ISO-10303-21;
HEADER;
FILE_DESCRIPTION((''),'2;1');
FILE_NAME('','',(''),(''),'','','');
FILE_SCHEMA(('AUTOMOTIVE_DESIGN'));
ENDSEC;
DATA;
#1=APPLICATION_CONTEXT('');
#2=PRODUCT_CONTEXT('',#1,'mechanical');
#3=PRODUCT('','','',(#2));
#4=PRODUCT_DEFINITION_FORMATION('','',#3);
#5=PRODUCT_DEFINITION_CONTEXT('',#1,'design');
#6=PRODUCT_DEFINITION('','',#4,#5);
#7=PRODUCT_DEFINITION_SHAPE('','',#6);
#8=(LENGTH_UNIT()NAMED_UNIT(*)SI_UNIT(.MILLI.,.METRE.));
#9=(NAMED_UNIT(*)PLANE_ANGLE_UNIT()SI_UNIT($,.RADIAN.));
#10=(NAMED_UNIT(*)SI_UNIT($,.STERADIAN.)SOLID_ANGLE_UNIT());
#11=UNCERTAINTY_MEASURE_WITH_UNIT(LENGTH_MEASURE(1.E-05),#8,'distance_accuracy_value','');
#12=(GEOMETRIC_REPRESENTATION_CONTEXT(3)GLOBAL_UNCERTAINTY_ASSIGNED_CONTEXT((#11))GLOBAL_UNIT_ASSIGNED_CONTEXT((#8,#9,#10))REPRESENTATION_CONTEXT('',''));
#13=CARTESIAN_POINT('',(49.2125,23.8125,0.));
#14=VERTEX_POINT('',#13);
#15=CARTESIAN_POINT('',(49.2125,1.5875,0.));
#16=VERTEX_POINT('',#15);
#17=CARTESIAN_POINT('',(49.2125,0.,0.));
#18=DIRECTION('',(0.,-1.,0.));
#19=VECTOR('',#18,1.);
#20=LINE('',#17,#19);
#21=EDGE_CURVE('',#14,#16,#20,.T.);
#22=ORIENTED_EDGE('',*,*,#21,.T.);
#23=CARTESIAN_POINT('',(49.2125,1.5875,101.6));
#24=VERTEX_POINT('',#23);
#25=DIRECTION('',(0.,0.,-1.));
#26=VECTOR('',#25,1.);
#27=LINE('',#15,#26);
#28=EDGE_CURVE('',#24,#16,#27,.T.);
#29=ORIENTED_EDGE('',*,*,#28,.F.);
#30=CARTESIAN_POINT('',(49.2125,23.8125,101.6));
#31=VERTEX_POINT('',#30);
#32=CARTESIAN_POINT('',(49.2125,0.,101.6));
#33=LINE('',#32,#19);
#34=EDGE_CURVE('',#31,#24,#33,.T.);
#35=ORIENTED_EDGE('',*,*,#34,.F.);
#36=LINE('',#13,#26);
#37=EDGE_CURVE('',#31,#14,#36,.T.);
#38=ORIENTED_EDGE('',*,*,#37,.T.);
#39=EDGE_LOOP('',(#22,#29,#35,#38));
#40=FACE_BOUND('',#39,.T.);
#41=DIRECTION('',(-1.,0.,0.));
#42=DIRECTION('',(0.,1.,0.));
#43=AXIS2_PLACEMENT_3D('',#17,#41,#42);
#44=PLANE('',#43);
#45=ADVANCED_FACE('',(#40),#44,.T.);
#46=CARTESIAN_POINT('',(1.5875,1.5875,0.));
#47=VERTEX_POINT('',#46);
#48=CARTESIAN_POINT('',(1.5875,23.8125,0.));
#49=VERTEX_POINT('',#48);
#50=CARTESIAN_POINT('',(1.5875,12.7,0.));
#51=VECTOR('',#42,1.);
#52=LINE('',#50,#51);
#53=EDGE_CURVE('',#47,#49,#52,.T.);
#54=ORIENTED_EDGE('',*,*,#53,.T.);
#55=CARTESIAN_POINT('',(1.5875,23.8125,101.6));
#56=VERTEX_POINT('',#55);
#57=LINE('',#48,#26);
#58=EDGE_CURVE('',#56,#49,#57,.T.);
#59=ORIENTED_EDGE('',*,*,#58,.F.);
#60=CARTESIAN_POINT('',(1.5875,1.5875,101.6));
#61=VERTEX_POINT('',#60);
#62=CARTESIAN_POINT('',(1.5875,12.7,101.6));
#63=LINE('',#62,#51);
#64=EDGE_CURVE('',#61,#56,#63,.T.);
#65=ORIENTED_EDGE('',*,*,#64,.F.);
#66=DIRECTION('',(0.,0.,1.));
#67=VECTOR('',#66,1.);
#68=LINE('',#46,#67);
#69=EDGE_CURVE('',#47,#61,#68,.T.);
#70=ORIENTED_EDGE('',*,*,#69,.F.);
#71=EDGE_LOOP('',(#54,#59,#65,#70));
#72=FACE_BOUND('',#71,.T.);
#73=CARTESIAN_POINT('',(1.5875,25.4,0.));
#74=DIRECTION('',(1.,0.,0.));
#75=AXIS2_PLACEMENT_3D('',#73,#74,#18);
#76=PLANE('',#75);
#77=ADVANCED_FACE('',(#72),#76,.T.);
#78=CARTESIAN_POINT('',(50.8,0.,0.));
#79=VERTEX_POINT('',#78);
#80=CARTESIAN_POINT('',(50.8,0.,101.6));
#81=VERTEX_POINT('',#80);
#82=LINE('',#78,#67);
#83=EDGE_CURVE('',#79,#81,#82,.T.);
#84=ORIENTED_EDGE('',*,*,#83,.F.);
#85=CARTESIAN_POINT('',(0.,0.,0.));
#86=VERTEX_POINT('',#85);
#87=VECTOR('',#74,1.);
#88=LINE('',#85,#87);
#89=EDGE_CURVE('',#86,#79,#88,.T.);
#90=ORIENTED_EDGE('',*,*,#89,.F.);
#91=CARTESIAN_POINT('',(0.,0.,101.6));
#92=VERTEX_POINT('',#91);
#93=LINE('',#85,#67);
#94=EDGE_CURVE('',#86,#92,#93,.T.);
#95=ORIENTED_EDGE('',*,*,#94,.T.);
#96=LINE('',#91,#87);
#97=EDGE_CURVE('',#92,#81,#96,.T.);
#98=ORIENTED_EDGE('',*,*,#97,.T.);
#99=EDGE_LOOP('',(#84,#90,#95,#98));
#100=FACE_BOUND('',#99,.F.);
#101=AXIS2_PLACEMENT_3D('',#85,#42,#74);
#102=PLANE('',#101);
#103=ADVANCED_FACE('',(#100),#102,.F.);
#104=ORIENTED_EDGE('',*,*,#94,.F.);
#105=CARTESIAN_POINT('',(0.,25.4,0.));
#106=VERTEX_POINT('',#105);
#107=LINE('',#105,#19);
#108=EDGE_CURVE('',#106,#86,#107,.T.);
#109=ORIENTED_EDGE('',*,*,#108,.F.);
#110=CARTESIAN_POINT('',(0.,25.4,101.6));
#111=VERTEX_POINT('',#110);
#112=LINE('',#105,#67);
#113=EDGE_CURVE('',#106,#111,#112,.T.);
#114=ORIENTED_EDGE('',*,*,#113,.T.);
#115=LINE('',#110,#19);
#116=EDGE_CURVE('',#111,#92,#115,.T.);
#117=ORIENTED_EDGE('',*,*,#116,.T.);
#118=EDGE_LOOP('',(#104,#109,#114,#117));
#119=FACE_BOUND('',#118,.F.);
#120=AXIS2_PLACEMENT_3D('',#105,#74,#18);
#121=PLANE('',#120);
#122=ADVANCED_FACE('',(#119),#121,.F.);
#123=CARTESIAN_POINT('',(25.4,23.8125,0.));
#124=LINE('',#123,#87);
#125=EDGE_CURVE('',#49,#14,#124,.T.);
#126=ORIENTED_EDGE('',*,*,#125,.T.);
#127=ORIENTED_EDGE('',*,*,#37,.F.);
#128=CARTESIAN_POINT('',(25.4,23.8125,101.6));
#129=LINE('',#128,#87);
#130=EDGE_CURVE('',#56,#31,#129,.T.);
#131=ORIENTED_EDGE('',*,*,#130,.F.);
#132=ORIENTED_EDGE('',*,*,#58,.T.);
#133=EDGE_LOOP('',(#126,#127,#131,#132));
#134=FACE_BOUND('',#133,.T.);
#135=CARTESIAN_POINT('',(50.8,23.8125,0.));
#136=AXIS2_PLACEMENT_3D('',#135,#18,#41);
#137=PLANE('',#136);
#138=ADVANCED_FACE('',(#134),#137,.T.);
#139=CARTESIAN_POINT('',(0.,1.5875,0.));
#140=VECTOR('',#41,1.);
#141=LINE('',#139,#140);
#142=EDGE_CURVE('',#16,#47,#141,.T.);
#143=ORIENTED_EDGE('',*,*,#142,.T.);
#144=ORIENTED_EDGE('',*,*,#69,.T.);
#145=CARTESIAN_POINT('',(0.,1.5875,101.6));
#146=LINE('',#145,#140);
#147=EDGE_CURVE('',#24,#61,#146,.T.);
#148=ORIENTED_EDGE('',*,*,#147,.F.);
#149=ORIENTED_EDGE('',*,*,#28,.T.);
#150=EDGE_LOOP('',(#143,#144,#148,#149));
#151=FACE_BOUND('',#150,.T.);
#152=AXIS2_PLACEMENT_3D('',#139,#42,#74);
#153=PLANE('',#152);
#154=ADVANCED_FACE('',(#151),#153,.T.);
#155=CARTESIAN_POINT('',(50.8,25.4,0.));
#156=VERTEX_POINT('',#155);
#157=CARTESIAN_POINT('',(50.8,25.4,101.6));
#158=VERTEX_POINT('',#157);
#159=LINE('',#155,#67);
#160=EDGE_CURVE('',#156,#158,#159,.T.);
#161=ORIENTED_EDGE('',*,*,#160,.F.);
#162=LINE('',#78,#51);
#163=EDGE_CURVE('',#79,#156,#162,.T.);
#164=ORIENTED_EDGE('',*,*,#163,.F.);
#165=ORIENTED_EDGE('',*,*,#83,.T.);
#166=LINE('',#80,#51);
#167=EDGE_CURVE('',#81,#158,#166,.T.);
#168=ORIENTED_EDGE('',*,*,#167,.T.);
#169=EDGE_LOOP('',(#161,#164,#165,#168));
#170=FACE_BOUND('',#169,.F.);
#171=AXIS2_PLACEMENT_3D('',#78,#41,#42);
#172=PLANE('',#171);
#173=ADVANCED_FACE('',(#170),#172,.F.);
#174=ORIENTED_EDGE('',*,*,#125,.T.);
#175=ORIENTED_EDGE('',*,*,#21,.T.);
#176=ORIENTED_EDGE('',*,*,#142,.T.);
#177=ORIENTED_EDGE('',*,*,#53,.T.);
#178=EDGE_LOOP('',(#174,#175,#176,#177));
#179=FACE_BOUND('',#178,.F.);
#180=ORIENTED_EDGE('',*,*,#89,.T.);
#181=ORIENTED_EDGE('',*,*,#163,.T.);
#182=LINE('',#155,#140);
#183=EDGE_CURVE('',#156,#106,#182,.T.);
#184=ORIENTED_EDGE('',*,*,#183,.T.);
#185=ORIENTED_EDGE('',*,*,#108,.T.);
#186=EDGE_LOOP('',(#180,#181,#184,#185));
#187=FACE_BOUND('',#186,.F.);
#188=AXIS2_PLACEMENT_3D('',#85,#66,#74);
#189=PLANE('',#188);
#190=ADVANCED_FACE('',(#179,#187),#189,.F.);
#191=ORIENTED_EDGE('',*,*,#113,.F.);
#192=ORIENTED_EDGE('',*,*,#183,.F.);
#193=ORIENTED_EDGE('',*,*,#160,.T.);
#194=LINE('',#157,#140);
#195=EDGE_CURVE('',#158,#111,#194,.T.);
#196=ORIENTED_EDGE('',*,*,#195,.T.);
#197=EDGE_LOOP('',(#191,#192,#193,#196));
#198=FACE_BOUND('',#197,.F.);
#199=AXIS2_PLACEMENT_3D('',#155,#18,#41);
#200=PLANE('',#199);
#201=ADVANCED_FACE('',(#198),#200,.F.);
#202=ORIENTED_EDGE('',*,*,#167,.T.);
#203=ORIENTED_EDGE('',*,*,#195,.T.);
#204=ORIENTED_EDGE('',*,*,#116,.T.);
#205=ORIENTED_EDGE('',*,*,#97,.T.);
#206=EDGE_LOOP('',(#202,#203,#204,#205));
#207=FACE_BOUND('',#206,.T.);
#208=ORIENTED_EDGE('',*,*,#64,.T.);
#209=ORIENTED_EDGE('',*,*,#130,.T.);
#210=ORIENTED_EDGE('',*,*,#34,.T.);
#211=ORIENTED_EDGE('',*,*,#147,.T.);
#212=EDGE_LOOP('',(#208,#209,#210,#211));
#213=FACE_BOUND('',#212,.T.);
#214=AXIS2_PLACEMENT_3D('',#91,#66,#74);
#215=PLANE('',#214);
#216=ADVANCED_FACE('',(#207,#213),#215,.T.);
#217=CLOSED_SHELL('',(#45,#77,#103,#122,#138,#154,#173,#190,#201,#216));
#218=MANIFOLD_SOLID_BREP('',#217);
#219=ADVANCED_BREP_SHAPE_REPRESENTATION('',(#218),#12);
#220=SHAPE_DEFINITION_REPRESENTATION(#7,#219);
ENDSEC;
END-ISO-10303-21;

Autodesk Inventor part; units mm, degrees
ref_plane "YZ Plane" through (0, 0, 0) normal (1, 0, 0) x (0, 1, 0)
ref_plane "XZ Plane" through (0, 0, 0) normal (0, 1, 0) x (-1, 0, 0)
ref_plane "XY Plane" through (0, 0, 0) normal (0, 0, 1) x (1, 0, 0)
sketch "Sketch1" plane through (0, 0, 0) normal (0, 0, 1) x (1, 0, 0)
  line L0 (0, 0) -> (50.8, 0)
  line L1 (50.8, 0) -> (50.8, 25.4)
  line L2 (50.8, 25.4) -> (0, 25.4)
  line L3 (0, 25.4) -> (0, 0)
  dimension "d0" = 50.8
  dimension "d1" = 25.4
extrude "Extrusion1" add sketch "Sketch1" along normal blind 101.6
shell "Shell1" thickness 1.5875 removed faces 2 at (16.9333, 8.4667, 0) at (16.9333, 8.4667, 101.6)
equation "\"d2\" = Length"
equation "\"Length\" = 101.6"
properties part number "CrossBar"
